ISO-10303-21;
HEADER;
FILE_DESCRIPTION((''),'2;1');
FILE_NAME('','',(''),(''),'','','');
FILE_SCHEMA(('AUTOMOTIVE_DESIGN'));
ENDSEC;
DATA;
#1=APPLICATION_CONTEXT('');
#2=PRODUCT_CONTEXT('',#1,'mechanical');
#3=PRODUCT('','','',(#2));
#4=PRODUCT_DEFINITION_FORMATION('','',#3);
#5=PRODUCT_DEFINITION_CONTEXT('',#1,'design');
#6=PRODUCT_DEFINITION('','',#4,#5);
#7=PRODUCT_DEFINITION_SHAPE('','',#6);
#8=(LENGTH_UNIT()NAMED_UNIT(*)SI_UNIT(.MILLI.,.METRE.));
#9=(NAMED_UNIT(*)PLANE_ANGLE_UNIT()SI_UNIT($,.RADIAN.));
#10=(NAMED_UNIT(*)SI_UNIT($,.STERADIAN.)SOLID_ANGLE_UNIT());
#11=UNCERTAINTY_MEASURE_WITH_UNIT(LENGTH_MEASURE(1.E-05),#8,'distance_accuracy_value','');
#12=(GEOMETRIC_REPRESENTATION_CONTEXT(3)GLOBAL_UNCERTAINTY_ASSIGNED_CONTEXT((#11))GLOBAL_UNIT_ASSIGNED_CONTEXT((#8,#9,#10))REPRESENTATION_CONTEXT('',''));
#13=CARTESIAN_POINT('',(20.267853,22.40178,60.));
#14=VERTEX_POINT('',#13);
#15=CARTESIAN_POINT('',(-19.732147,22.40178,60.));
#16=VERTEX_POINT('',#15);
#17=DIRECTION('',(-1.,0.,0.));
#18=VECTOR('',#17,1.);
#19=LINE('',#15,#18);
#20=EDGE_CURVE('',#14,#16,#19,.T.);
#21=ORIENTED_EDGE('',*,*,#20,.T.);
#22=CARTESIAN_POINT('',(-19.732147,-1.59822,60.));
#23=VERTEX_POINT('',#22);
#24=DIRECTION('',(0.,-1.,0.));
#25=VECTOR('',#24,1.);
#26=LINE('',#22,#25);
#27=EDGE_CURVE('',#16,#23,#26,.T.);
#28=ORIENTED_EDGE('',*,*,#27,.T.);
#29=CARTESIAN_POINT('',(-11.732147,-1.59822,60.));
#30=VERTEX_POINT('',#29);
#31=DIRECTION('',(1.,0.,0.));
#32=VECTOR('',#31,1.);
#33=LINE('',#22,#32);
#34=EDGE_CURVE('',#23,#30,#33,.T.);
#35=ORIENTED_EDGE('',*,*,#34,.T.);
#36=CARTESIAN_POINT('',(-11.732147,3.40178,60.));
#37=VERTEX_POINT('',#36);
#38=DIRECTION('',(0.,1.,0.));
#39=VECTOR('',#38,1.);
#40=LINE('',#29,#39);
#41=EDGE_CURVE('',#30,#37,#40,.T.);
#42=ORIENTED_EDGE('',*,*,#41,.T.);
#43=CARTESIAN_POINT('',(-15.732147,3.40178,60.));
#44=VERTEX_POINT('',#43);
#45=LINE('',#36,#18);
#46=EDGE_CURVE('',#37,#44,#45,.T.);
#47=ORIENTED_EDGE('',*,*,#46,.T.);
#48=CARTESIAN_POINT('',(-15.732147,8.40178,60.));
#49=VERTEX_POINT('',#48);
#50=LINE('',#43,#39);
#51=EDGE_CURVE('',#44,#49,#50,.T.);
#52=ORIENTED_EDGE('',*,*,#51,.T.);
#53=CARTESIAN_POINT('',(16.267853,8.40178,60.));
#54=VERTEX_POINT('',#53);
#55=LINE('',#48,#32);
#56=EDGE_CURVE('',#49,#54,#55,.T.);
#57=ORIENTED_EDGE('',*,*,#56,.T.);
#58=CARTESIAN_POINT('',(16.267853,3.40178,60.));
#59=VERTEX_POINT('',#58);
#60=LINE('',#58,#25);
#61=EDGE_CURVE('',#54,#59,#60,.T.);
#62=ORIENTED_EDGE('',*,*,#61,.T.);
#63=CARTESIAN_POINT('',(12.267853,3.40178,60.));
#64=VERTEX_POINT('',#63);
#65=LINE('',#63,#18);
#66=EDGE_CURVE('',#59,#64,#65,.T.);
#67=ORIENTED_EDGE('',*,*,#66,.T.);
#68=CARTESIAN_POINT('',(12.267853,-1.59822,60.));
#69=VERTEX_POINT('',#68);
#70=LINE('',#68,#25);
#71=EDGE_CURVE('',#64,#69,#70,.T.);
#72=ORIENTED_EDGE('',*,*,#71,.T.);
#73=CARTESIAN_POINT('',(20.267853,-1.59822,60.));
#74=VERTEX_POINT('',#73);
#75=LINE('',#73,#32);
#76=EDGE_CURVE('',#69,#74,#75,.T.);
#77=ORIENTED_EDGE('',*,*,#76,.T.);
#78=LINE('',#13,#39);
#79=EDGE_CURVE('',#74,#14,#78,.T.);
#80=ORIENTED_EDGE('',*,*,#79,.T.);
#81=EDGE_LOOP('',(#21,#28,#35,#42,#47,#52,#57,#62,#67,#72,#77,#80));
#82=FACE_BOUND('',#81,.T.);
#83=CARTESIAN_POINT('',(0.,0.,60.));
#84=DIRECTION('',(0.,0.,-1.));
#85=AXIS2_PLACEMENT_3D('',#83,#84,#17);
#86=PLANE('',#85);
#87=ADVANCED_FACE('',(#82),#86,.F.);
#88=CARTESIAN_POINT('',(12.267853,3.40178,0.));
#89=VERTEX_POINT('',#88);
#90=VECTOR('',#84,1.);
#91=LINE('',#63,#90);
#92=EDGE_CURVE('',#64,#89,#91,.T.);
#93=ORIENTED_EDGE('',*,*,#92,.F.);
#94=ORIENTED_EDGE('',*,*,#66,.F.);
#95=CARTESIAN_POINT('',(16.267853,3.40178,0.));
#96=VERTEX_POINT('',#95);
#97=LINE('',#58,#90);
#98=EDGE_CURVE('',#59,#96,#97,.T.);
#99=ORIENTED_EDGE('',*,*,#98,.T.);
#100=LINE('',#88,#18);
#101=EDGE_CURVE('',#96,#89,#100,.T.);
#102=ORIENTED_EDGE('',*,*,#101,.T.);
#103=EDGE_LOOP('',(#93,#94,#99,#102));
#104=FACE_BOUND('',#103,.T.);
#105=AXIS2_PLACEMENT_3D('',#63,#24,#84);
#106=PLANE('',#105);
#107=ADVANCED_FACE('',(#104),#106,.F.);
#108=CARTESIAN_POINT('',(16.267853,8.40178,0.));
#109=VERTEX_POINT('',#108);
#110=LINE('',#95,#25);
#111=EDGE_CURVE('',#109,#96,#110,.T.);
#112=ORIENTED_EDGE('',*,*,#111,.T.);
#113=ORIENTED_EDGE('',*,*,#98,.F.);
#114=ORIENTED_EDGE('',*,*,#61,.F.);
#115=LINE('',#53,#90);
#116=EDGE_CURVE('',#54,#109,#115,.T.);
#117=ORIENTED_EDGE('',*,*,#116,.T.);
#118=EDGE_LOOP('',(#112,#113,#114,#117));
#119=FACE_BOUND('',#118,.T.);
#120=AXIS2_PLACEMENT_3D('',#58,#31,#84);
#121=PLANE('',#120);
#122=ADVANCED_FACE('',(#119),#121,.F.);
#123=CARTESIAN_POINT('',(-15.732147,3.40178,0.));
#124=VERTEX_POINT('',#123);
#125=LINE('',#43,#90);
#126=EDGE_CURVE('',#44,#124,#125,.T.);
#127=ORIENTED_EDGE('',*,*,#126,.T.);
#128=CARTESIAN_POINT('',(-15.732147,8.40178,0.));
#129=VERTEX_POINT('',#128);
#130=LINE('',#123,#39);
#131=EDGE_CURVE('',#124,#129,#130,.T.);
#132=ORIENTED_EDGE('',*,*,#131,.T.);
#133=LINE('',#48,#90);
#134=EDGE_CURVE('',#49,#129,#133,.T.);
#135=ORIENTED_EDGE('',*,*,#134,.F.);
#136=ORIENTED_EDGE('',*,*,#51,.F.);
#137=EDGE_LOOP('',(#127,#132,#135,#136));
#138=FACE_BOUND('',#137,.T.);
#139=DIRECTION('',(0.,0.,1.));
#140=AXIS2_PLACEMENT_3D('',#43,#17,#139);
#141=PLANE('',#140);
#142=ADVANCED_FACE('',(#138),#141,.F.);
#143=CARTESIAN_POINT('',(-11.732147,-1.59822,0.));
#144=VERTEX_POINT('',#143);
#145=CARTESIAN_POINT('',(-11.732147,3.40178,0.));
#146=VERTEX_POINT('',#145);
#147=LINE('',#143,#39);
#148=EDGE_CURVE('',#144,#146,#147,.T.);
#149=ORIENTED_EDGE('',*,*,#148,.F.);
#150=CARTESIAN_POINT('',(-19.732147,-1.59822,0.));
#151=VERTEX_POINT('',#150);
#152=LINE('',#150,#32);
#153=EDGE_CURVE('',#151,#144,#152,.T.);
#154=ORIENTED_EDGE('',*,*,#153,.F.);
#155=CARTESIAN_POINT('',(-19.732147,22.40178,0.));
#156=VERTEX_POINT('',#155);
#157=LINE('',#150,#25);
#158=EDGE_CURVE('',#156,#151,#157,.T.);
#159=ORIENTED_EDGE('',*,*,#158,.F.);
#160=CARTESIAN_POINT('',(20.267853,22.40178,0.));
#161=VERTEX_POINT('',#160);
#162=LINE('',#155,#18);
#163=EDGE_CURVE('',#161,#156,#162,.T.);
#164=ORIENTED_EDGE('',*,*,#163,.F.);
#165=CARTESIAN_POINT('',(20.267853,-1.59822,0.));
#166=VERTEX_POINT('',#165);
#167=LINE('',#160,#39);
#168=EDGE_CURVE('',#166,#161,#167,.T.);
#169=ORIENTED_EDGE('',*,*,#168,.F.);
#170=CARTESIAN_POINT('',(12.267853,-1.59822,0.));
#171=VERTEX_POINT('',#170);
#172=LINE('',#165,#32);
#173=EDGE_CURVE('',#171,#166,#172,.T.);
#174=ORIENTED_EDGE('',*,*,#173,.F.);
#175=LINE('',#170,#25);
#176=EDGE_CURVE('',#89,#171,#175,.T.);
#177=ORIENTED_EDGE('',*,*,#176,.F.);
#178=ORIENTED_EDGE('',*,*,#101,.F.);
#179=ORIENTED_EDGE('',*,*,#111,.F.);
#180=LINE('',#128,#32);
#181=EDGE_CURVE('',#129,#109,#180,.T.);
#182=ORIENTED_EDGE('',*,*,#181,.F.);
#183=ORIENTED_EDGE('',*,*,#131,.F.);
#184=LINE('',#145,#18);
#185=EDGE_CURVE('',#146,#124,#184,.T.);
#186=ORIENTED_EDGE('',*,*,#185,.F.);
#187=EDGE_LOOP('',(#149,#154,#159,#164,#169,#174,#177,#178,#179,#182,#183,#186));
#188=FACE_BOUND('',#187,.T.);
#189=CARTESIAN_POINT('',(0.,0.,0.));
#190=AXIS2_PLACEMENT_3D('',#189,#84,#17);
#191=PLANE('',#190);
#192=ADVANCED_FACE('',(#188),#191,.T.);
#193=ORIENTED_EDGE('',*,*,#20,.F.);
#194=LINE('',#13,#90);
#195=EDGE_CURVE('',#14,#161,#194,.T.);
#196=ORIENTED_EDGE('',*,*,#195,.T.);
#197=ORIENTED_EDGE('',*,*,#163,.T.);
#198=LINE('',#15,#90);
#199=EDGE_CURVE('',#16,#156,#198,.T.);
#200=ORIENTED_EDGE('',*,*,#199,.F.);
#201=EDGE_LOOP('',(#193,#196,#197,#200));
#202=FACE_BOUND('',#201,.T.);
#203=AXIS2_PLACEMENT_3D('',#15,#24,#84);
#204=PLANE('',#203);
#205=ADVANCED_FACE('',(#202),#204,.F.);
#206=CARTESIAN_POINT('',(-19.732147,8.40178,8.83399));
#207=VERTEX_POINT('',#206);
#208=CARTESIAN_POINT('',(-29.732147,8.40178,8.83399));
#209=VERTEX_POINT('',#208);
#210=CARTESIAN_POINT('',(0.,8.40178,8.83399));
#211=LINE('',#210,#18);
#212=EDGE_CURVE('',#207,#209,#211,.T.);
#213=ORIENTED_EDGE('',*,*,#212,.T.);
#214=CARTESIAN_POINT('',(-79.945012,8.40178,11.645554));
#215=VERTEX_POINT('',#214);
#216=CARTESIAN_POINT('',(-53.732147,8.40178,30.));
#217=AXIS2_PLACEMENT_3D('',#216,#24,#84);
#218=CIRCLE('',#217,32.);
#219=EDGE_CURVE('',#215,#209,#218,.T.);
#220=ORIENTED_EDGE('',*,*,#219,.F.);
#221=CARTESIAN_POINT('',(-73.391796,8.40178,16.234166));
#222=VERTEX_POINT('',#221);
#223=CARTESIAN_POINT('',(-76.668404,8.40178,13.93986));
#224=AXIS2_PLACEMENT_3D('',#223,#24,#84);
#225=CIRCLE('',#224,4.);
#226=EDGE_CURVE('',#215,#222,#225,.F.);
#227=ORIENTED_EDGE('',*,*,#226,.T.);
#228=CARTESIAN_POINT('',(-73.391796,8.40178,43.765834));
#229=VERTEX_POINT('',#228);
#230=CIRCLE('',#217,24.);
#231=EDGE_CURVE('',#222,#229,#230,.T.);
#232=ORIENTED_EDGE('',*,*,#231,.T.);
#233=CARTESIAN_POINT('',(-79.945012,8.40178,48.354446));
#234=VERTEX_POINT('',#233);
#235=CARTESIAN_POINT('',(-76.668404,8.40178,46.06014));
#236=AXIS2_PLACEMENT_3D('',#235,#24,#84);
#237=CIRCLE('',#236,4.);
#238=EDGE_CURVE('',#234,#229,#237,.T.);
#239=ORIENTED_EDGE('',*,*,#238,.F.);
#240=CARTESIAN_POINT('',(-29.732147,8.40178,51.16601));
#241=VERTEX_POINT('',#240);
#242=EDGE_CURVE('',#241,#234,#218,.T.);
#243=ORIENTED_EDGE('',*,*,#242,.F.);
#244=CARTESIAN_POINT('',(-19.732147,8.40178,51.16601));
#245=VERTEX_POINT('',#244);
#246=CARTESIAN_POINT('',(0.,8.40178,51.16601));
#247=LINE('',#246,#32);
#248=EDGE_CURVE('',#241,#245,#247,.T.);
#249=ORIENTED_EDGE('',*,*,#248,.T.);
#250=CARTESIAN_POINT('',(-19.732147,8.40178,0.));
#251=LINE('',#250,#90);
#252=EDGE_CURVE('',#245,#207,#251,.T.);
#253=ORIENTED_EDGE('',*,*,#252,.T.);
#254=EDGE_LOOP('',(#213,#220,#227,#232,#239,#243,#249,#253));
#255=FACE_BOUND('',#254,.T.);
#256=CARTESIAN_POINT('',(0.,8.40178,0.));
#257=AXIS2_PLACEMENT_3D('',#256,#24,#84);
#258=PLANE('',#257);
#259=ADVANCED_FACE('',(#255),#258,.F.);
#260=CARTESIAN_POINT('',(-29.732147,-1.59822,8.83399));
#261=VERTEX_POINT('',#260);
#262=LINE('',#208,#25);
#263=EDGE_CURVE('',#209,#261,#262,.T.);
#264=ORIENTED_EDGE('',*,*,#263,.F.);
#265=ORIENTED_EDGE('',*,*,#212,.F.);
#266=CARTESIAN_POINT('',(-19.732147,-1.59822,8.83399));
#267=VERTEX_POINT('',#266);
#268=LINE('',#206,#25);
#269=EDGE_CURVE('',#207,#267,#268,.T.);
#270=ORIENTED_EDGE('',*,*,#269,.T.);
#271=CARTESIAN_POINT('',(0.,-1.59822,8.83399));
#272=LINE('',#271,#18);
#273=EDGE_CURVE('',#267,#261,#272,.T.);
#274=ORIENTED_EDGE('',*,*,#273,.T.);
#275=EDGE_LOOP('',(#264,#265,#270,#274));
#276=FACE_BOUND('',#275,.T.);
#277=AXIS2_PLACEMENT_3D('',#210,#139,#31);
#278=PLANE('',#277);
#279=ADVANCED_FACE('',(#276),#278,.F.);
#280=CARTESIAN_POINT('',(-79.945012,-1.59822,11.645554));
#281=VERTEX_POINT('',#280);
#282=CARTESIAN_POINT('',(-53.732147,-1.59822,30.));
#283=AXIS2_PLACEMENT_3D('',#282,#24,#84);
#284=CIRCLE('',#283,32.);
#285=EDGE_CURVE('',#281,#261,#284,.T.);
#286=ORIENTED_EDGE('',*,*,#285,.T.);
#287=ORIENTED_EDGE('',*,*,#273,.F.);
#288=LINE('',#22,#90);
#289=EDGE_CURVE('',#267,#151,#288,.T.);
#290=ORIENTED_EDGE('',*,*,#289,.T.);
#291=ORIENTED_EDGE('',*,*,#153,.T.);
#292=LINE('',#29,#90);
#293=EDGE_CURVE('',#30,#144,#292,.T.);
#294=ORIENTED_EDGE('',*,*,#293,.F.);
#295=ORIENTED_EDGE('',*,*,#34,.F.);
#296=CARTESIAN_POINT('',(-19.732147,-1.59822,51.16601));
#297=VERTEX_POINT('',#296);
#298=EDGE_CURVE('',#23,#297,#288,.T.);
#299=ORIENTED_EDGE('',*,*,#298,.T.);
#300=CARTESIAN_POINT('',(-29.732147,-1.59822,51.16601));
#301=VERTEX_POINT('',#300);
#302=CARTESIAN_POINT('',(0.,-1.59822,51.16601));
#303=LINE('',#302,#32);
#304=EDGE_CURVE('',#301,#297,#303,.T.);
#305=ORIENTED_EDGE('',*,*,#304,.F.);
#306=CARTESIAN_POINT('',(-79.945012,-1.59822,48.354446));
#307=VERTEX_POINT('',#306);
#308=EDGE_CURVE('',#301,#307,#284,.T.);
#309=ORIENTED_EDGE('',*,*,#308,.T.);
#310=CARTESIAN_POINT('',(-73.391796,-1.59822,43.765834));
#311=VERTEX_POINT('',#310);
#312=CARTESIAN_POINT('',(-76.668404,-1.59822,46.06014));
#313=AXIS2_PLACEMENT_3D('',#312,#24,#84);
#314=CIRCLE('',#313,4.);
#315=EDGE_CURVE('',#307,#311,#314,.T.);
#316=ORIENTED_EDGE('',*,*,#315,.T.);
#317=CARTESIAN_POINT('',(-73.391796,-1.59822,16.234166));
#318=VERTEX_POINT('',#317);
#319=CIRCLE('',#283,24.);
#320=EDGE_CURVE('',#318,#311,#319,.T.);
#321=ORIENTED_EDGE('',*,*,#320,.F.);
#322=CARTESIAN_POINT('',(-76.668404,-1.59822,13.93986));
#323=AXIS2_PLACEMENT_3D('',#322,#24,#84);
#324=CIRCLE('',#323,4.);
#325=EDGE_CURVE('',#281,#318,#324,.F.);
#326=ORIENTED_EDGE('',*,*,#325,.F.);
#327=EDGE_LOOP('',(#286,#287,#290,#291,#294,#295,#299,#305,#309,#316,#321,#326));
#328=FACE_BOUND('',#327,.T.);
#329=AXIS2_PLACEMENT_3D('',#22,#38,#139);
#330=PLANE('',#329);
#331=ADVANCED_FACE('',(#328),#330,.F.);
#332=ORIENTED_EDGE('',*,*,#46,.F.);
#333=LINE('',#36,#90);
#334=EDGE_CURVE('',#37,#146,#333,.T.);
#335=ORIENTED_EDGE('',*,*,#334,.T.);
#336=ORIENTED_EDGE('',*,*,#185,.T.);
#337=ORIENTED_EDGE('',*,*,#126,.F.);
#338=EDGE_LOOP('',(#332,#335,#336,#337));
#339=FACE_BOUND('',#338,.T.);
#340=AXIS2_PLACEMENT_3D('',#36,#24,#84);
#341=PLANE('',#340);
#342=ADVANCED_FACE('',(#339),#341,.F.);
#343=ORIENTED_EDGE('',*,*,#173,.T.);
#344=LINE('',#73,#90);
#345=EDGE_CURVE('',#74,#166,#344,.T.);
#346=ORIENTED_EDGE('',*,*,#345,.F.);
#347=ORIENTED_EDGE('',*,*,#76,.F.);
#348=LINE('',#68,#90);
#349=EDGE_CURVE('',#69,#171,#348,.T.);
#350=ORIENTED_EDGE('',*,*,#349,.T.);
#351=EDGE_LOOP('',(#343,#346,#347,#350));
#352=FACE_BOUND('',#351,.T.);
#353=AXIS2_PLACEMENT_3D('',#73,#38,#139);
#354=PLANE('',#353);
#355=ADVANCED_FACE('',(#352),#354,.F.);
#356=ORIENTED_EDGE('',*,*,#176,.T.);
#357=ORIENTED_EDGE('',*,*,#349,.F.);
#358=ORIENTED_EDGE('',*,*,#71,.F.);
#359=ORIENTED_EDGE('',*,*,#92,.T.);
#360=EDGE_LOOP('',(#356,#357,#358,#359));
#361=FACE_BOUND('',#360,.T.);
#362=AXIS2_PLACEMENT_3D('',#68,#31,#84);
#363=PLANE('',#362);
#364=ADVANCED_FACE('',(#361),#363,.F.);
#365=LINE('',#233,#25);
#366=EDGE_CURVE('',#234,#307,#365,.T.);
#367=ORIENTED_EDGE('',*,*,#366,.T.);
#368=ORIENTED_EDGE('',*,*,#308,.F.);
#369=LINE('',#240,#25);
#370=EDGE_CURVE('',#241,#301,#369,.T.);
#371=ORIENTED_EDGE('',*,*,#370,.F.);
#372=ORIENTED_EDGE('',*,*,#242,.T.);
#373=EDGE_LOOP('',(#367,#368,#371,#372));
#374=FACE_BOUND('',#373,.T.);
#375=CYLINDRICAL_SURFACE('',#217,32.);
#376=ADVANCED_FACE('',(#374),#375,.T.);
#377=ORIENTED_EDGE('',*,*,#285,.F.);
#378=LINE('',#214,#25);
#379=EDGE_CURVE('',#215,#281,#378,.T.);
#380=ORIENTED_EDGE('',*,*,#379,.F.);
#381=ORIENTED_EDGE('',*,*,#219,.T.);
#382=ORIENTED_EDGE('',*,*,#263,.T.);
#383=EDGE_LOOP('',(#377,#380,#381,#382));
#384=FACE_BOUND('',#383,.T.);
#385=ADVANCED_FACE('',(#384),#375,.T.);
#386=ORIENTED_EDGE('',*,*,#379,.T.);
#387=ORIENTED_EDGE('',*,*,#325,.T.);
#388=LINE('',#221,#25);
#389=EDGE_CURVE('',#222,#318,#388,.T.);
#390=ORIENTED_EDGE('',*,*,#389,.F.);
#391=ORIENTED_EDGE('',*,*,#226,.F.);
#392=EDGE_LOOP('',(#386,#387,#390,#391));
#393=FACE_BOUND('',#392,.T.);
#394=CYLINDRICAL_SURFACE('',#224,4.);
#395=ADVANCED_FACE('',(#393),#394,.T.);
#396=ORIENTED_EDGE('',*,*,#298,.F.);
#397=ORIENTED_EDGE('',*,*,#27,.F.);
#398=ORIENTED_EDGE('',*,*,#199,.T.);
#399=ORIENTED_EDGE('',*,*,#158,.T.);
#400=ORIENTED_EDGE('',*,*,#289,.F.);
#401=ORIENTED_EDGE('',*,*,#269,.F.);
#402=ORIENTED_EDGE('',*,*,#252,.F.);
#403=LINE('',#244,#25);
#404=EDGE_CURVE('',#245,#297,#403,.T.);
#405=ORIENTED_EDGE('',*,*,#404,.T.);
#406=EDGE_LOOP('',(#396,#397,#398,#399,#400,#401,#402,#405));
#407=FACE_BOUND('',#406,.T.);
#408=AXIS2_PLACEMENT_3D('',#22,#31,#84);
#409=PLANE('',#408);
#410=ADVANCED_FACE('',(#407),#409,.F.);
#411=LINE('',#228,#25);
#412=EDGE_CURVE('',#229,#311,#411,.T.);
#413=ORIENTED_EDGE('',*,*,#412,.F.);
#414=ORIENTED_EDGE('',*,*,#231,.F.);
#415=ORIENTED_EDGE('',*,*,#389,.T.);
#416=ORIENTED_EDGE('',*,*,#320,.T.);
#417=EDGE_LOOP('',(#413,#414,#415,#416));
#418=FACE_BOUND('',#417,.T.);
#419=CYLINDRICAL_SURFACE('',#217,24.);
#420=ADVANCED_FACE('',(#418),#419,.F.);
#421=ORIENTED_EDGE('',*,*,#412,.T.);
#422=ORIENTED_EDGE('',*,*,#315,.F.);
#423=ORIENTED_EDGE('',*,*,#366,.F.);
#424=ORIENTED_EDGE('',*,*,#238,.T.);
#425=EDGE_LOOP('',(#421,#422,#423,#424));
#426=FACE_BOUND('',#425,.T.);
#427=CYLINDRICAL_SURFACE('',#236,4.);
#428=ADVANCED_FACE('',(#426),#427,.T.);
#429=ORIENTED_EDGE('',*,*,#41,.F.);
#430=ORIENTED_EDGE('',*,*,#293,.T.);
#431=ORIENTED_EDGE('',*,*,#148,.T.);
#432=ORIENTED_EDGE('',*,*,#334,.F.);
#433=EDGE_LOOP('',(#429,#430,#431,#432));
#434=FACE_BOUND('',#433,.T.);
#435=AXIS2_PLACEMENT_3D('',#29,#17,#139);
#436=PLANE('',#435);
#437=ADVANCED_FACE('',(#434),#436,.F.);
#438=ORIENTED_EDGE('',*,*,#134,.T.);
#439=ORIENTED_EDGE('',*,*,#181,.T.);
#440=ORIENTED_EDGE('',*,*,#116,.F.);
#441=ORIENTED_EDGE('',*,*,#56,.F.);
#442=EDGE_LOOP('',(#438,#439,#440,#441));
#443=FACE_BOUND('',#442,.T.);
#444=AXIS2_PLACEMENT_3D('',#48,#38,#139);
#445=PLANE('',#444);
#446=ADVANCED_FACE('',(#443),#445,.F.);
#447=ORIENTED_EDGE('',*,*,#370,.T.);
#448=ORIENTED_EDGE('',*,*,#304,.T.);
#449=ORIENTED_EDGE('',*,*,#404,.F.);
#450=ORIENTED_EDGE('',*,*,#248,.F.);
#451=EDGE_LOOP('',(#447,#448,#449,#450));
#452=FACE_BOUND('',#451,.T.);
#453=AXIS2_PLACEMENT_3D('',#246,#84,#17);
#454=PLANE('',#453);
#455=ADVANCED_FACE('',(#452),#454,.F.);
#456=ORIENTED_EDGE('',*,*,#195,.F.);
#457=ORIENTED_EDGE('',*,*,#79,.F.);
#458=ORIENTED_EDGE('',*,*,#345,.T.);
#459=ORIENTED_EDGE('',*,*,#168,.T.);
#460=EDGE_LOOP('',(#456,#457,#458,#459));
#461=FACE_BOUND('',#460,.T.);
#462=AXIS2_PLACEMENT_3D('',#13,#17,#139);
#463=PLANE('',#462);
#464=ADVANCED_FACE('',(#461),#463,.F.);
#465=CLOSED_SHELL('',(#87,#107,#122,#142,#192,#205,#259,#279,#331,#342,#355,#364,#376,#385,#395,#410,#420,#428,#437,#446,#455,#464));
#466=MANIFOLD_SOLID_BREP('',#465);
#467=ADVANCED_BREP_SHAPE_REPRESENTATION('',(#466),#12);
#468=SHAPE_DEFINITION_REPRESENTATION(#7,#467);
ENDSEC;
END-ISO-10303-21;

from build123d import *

# Parameters (mm, degrees)
EXTRUDE_1_DEPTH = 60
EXTRUDE_2_DEPTH = 10


with BuildPart() as part:
    # 草图1 → 凸台-拉伸1 (new body)
    with BuildSketch(Plane.XY):
        Polygon((-19.732146976, -1.598220465), (-11.732146976, -1.598220465), (-11.732146976, 3.401779535), (-15.732146976, 3.401779535), (-15.732146976, 8.401779535), (16.267853024, 8.401779535), (16.267853024, 3.401779535), (12.267853024, 3.401779535), (12.267853024, -1.598220465), (20.267853024, -1.598220465), (20.267853024, 22.401779535), (-19.732146976, 22.401779535), align=None)
    extrude(amount=EXTRUDE_1_DEPTH)

    # 草图2 → 凸台-拉伸2 (add)
    with BuildSketch(Plane.XZ.offset(1.598220465)):
        with BuildLine():
            Line((-29.732146976, 51.166010489), (-19.732146976, 51.166010489))
            Line((-19.732146976, 51.166010489), (-19.732146976, 8.833989511))
            Line((-19.732146976, 8.833989511), (-29.732146976, 8.833989511))
            ThreePointArc((-29.732146976, 8.833989511), (-55.52111794, -1.949954349), (-79.945012394, 11.645554037))
            ThreePointArc((-79.945012394, 11.645554037), (-78.962709962, 17.216467959), (-73.391796039, 16.234165528))
            ThreePointArc((-73.391796039, 16.234165528), (-29.732146976, 30), (-73.391796039, 43.765834472))
            ThreePointArc((-73.391796039, 43.765834472), (-78.962709962, 42.783532041), (-79.945012394, 48.354445963))
            ThreePointArc((-79.945012394, 48.354445963), (-55.52111794, 61.949954349), (-29.732146976, 51.166010489))
        make_face()
    extrude(amount=-EXTRUDE_2_DEPTH)


solid = part.part
